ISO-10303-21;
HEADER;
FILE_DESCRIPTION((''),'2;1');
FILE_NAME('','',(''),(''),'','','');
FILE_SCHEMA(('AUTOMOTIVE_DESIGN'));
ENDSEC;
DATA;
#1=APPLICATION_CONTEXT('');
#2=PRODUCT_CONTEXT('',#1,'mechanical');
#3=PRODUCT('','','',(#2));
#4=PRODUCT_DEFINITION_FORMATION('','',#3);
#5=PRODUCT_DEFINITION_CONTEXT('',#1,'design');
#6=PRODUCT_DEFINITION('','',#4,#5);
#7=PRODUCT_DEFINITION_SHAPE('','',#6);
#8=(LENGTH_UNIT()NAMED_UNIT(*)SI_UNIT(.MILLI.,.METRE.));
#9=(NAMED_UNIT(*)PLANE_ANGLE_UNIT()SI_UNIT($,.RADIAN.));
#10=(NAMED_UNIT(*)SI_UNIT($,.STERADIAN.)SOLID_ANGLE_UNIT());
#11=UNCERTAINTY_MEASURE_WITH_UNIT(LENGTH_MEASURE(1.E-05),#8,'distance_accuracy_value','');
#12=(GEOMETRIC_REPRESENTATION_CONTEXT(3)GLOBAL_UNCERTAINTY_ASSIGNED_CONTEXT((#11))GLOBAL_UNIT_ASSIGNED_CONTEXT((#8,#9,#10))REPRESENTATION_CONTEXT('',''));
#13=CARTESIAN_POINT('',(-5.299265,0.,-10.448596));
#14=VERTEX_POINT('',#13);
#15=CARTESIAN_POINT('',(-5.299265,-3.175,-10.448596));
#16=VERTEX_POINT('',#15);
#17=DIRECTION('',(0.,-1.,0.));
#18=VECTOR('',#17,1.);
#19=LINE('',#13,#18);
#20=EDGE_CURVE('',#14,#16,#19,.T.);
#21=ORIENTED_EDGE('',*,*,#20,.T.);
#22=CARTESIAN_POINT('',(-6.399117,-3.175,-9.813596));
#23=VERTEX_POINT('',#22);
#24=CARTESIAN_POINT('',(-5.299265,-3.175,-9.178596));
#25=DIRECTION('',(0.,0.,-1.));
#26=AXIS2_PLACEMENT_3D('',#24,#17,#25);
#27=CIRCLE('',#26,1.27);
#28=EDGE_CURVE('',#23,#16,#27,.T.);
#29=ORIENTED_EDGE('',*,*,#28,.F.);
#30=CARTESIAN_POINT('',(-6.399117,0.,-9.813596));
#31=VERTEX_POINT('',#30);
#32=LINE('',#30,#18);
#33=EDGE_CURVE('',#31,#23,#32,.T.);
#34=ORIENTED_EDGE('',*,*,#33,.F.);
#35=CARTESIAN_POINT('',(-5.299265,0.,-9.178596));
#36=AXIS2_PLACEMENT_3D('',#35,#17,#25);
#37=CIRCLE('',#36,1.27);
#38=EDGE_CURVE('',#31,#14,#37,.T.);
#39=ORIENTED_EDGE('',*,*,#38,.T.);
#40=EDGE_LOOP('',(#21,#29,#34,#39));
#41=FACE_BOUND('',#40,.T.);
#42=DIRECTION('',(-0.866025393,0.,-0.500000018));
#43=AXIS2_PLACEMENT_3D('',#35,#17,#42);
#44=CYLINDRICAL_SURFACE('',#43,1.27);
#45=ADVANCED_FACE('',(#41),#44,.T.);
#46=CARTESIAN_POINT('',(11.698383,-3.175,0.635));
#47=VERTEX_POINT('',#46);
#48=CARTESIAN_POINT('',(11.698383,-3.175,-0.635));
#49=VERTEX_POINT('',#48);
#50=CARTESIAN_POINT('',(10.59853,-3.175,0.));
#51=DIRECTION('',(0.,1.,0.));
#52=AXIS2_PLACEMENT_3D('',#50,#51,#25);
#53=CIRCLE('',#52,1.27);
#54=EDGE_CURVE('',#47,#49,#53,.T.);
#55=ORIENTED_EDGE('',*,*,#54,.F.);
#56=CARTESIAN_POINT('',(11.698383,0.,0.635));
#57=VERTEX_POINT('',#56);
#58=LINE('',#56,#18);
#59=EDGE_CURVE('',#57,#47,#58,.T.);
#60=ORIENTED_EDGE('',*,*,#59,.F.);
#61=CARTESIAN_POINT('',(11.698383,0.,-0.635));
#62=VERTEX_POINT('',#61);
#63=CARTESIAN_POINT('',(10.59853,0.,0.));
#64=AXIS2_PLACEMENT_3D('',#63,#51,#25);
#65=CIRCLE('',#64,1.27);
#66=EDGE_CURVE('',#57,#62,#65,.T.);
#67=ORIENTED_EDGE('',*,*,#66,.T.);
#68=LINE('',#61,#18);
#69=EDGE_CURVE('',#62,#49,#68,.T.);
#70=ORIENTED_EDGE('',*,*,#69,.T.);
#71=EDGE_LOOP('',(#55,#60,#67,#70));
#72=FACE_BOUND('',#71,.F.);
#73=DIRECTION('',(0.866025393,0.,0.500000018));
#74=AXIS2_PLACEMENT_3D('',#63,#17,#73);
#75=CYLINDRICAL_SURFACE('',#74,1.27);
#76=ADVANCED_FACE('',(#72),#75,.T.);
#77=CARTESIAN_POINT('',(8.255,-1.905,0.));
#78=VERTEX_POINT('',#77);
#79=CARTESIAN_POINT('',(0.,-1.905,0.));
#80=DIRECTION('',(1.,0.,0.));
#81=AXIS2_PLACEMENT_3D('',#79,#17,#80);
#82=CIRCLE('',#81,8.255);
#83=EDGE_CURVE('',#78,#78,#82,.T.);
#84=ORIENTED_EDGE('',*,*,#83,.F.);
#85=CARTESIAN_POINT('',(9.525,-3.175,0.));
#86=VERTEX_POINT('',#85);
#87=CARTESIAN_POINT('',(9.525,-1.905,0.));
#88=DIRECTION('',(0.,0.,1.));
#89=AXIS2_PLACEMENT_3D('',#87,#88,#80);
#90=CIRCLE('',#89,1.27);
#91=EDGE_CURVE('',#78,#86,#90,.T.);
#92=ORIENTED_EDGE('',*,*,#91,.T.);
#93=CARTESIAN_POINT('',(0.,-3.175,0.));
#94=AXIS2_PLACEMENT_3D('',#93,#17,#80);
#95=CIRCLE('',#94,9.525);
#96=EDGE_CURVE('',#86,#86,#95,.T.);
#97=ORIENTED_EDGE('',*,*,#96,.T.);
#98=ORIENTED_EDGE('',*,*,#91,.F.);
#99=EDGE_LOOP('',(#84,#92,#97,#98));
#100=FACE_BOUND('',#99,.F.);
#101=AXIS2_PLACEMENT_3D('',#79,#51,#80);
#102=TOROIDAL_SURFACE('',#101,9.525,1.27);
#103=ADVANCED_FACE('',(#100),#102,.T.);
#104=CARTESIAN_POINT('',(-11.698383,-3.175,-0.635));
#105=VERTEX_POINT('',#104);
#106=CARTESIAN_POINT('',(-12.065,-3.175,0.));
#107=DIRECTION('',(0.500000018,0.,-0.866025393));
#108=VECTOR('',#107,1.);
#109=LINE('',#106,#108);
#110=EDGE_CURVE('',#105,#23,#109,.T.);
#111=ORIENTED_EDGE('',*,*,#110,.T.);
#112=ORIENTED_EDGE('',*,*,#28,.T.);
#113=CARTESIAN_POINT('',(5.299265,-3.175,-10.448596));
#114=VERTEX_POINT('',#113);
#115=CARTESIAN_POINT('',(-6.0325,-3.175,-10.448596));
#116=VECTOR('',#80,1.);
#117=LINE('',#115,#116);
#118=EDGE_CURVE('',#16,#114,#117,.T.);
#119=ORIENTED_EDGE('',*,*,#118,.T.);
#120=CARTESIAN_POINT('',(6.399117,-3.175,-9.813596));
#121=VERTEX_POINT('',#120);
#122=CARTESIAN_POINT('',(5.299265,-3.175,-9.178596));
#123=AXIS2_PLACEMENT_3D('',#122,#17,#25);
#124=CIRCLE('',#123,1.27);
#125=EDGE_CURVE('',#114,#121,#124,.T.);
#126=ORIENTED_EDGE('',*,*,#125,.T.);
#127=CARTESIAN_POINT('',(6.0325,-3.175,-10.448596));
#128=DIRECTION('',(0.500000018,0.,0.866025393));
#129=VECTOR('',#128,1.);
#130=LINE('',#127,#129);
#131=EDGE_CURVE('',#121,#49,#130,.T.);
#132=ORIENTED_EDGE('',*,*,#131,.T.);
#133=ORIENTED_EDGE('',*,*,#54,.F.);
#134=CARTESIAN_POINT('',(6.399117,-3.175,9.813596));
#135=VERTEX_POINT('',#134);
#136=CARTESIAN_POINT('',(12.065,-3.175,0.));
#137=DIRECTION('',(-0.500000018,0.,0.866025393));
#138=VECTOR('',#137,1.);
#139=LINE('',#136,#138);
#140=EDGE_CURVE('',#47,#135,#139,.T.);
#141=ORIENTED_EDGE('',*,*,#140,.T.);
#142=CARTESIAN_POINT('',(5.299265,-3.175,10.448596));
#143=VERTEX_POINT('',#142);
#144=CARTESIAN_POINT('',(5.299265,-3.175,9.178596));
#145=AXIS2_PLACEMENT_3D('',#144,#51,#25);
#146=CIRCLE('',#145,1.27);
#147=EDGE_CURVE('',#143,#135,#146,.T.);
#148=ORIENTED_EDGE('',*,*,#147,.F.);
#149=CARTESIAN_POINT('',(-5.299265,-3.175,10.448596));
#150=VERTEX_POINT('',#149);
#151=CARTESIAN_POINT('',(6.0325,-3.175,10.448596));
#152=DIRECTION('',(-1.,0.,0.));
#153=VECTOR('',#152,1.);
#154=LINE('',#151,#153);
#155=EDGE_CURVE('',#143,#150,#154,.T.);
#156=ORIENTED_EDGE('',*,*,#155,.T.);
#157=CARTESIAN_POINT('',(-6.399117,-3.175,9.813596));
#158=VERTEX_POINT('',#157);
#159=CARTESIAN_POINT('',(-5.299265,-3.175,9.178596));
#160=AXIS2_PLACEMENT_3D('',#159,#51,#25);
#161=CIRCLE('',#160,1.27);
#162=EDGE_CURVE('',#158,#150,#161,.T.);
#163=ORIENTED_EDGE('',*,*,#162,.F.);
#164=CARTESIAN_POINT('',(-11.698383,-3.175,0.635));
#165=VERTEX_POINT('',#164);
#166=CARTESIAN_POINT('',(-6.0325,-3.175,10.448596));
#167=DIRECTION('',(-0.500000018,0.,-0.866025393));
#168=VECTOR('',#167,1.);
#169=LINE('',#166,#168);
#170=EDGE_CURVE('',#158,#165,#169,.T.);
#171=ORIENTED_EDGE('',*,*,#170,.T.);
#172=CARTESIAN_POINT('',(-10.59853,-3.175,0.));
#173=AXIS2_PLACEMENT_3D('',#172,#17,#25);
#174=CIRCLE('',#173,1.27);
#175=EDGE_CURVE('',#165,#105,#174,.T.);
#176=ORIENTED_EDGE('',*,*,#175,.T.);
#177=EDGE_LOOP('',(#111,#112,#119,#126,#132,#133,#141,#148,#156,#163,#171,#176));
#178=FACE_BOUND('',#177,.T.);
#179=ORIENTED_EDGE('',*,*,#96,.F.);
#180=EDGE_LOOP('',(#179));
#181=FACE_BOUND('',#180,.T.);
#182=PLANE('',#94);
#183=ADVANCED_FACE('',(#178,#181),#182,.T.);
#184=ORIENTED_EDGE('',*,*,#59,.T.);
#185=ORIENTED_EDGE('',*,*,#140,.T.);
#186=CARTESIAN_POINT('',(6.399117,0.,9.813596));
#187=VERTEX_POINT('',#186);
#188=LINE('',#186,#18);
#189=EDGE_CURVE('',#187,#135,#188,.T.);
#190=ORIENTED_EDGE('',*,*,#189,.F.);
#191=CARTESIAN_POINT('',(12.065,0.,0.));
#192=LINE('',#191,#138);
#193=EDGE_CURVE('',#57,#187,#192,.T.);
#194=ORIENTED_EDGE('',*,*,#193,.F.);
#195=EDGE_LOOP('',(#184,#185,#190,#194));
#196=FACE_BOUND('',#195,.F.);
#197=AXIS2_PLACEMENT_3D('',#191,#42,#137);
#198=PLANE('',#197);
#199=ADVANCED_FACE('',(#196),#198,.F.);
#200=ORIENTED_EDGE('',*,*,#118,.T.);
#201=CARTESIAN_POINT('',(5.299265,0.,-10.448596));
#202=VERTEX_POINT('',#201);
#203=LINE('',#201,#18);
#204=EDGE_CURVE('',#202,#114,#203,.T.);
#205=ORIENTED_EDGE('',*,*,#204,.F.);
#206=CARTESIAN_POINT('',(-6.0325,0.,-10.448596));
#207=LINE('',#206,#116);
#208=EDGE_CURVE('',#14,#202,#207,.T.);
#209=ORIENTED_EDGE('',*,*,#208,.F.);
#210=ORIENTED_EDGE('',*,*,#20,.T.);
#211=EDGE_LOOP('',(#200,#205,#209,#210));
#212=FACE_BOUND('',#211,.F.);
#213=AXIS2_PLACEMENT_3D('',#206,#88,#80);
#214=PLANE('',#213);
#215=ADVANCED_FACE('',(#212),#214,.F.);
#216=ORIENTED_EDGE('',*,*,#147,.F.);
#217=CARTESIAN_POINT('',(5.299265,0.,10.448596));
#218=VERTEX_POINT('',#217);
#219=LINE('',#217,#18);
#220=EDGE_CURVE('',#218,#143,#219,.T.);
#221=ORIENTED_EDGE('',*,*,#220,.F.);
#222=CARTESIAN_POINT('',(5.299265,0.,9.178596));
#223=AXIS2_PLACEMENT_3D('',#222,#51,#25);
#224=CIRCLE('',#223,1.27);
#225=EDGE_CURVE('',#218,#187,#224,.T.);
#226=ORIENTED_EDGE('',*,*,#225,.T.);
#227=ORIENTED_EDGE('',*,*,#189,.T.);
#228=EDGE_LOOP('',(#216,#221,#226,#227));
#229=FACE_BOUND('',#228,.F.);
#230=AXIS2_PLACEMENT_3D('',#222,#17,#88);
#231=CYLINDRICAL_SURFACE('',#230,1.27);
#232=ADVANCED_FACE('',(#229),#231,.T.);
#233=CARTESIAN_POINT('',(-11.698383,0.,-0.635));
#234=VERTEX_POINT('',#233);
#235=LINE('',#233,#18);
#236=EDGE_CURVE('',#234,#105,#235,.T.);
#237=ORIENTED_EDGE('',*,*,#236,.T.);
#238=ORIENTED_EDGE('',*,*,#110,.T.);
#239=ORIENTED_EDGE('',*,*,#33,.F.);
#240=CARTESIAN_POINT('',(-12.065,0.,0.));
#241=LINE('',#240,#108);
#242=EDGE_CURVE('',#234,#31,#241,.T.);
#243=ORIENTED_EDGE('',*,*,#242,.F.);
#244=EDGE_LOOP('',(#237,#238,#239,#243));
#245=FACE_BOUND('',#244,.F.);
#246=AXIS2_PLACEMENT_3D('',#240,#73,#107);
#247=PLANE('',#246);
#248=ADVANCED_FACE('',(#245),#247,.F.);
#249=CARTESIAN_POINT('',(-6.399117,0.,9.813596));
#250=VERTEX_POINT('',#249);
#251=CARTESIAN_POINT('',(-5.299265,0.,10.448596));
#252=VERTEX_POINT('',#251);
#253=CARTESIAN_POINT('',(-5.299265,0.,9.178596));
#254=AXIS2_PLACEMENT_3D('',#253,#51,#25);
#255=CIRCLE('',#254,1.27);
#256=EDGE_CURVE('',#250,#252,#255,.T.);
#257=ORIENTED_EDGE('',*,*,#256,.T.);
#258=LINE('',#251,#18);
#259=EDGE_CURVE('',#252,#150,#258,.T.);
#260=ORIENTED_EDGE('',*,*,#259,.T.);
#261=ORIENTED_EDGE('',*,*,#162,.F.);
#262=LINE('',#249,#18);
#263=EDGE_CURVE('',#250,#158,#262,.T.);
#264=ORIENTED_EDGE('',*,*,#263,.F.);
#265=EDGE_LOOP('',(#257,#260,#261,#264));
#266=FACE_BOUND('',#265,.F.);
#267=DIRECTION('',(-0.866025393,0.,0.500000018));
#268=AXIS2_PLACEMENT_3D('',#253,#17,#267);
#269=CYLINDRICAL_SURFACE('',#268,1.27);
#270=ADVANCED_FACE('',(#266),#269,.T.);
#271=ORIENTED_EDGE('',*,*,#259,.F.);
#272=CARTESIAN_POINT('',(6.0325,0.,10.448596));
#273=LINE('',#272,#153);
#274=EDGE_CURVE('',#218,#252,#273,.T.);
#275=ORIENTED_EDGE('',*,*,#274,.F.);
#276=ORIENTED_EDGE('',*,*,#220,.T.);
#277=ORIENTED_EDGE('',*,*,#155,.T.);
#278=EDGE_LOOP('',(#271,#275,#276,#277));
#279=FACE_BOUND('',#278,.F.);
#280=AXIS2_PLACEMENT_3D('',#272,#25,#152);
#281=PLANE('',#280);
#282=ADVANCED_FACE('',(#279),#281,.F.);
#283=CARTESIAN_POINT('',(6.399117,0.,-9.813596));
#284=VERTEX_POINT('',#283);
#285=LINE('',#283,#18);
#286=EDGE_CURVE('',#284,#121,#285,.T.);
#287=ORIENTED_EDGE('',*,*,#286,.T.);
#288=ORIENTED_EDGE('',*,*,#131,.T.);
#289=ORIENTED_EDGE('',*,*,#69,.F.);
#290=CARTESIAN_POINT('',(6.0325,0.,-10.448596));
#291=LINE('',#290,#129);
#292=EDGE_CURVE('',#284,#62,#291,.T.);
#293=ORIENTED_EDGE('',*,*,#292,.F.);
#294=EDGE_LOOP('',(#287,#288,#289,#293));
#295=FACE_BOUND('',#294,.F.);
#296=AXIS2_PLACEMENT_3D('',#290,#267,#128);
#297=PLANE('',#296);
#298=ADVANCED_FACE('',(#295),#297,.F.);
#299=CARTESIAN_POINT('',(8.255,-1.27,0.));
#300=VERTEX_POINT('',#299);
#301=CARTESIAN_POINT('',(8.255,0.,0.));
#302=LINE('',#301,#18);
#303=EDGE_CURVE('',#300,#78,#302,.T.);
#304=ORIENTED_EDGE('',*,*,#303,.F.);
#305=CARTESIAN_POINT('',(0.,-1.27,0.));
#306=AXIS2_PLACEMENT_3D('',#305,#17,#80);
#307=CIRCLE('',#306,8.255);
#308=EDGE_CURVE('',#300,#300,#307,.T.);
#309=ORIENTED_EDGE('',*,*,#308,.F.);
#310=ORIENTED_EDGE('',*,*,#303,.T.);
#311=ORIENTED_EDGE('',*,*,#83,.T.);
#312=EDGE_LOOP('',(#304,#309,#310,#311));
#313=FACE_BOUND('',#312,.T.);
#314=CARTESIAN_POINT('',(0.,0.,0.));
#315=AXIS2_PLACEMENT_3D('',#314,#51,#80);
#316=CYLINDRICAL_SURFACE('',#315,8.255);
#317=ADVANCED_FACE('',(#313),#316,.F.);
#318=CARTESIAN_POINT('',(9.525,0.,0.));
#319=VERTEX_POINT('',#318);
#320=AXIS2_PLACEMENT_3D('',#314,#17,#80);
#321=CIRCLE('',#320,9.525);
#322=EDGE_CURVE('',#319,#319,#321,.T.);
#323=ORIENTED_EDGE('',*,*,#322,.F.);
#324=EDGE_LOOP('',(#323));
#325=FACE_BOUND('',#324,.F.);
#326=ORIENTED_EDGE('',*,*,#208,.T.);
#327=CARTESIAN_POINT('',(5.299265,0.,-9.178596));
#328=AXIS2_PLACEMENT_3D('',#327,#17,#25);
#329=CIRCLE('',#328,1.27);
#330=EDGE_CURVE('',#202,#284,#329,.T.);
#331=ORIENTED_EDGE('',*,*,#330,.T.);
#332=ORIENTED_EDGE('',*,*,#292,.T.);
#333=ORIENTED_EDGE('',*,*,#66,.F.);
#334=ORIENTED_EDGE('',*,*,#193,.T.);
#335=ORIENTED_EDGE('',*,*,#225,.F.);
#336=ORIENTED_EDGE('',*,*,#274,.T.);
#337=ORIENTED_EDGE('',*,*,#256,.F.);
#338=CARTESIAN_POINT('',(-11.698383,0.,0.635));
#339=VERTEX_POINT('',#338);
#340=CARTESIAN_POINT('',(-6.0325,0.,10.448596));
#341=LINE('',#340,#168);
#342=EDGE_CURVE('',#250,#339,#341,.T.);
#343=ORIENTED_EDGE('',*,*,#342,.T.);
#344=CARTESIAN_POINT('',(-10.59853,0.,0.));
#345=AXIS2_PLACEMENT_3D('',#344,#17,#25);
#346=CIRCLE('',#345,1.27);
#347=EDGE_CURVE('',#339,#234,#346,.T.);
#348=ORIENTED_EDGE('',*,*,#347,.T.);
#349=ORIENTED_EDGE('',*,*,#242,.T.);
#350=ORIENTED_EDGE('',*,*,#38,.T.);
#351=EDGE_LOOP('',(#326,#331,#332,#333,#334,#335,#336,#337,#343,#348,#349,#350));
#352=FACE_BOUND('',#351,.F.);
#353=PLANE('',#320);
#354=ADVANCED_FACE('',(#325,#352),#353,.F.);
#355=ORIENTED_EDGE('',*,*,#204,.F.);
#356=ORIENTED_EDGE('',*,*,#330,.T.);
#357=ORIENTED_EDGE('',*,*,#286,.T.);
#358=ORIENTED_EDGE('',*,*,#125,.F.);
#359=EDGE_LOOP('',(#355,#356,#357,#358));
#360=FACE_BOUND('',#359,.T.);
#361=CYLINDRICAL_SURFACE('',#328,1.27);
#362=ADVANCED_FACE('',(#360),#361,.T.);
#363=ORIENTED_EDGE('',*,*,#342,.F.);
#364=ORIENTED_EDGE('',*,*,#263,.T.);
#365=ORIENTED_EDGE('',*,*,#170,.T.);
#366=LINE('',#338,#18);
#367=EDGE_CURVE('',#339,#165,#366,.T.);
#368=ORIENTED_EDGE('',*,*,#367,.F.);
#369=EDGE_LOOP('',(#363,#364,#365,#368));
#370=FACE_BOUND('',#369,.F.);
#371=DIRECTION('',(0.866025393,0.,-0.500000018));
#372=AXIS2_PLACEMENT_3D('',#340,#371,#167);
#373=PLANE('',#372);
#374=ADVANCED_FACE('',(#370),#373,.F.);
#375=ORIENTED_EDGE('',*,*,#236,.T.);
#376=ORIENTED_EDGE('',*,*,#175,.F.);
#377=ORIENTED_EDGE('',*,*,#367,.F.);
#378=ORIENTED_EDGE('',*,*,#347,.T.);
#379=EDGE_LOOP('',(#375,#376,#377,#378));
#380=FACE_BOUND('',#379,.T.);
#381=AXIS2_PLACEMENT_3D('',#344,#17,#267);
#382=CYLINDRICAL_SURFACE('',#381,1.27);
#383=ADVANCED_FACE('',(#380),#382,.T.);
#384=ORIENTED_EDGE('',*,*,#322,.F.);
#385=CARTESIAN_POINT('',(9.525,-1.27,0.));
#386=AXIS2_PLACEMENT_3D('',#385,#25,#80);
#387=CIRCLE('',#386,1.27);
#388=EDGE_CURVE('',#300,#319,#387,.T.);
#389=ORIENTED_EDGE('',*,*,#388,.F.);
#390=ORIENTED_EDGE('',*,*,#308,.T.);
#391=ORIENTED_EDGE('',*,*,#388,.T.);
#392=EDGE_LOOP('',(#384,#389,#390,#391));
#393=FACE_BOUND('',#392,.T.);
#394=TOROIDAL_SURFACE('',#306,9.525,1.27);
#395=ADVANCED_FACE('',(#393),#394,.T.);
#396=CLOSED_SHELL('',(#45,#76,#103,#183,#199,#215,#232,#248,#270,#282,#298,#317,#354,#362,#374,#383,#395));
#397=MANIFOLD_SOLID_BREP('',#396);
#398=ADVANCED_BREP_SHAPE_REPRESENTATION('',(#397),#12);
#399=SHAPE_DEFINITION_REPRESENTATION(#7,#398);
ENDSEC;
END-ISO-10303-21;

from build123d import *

# Parameters (mm, degrees)
F0_R     = 8.255
F2_DEPTH = 3.175
F1_R     = 1.27


with BuildPart() as f2:
    # F0 (on Front) → F2 (new body)
    with BuildSketch(Plane.XZ):
        Polygon((-6.0325, 10.448596), (-12.065, 0), (-6.0325, -10.448596), (6.0325, -10.448596), (12.065, 0), (6.0325, 10.448596), align=None)
        Circle(F0_R, mode=Mode.SUBTRACT)
    extrude(amount=F2_DEPTH)

    # F1
    f1_edges = [f2.edges().sort_by_distance(p)[0] for p in [
        (-8.255, -3.175, 0),
        (-8.255, 0, 0),
        (6.0325, -1.5875, -10.448596),
        (-6.0325, -1.5875, -10.448596),
        (-12.065, -1.5875, 0),
        (12.065, -1.5875, 0),
        (6.0325, -1.5875, 10.448596),
        (-6.0325, -1.5875, 10.448596),
    ]]
    fillet(f1_edges, radius=F1_R)


solid = f2.part
